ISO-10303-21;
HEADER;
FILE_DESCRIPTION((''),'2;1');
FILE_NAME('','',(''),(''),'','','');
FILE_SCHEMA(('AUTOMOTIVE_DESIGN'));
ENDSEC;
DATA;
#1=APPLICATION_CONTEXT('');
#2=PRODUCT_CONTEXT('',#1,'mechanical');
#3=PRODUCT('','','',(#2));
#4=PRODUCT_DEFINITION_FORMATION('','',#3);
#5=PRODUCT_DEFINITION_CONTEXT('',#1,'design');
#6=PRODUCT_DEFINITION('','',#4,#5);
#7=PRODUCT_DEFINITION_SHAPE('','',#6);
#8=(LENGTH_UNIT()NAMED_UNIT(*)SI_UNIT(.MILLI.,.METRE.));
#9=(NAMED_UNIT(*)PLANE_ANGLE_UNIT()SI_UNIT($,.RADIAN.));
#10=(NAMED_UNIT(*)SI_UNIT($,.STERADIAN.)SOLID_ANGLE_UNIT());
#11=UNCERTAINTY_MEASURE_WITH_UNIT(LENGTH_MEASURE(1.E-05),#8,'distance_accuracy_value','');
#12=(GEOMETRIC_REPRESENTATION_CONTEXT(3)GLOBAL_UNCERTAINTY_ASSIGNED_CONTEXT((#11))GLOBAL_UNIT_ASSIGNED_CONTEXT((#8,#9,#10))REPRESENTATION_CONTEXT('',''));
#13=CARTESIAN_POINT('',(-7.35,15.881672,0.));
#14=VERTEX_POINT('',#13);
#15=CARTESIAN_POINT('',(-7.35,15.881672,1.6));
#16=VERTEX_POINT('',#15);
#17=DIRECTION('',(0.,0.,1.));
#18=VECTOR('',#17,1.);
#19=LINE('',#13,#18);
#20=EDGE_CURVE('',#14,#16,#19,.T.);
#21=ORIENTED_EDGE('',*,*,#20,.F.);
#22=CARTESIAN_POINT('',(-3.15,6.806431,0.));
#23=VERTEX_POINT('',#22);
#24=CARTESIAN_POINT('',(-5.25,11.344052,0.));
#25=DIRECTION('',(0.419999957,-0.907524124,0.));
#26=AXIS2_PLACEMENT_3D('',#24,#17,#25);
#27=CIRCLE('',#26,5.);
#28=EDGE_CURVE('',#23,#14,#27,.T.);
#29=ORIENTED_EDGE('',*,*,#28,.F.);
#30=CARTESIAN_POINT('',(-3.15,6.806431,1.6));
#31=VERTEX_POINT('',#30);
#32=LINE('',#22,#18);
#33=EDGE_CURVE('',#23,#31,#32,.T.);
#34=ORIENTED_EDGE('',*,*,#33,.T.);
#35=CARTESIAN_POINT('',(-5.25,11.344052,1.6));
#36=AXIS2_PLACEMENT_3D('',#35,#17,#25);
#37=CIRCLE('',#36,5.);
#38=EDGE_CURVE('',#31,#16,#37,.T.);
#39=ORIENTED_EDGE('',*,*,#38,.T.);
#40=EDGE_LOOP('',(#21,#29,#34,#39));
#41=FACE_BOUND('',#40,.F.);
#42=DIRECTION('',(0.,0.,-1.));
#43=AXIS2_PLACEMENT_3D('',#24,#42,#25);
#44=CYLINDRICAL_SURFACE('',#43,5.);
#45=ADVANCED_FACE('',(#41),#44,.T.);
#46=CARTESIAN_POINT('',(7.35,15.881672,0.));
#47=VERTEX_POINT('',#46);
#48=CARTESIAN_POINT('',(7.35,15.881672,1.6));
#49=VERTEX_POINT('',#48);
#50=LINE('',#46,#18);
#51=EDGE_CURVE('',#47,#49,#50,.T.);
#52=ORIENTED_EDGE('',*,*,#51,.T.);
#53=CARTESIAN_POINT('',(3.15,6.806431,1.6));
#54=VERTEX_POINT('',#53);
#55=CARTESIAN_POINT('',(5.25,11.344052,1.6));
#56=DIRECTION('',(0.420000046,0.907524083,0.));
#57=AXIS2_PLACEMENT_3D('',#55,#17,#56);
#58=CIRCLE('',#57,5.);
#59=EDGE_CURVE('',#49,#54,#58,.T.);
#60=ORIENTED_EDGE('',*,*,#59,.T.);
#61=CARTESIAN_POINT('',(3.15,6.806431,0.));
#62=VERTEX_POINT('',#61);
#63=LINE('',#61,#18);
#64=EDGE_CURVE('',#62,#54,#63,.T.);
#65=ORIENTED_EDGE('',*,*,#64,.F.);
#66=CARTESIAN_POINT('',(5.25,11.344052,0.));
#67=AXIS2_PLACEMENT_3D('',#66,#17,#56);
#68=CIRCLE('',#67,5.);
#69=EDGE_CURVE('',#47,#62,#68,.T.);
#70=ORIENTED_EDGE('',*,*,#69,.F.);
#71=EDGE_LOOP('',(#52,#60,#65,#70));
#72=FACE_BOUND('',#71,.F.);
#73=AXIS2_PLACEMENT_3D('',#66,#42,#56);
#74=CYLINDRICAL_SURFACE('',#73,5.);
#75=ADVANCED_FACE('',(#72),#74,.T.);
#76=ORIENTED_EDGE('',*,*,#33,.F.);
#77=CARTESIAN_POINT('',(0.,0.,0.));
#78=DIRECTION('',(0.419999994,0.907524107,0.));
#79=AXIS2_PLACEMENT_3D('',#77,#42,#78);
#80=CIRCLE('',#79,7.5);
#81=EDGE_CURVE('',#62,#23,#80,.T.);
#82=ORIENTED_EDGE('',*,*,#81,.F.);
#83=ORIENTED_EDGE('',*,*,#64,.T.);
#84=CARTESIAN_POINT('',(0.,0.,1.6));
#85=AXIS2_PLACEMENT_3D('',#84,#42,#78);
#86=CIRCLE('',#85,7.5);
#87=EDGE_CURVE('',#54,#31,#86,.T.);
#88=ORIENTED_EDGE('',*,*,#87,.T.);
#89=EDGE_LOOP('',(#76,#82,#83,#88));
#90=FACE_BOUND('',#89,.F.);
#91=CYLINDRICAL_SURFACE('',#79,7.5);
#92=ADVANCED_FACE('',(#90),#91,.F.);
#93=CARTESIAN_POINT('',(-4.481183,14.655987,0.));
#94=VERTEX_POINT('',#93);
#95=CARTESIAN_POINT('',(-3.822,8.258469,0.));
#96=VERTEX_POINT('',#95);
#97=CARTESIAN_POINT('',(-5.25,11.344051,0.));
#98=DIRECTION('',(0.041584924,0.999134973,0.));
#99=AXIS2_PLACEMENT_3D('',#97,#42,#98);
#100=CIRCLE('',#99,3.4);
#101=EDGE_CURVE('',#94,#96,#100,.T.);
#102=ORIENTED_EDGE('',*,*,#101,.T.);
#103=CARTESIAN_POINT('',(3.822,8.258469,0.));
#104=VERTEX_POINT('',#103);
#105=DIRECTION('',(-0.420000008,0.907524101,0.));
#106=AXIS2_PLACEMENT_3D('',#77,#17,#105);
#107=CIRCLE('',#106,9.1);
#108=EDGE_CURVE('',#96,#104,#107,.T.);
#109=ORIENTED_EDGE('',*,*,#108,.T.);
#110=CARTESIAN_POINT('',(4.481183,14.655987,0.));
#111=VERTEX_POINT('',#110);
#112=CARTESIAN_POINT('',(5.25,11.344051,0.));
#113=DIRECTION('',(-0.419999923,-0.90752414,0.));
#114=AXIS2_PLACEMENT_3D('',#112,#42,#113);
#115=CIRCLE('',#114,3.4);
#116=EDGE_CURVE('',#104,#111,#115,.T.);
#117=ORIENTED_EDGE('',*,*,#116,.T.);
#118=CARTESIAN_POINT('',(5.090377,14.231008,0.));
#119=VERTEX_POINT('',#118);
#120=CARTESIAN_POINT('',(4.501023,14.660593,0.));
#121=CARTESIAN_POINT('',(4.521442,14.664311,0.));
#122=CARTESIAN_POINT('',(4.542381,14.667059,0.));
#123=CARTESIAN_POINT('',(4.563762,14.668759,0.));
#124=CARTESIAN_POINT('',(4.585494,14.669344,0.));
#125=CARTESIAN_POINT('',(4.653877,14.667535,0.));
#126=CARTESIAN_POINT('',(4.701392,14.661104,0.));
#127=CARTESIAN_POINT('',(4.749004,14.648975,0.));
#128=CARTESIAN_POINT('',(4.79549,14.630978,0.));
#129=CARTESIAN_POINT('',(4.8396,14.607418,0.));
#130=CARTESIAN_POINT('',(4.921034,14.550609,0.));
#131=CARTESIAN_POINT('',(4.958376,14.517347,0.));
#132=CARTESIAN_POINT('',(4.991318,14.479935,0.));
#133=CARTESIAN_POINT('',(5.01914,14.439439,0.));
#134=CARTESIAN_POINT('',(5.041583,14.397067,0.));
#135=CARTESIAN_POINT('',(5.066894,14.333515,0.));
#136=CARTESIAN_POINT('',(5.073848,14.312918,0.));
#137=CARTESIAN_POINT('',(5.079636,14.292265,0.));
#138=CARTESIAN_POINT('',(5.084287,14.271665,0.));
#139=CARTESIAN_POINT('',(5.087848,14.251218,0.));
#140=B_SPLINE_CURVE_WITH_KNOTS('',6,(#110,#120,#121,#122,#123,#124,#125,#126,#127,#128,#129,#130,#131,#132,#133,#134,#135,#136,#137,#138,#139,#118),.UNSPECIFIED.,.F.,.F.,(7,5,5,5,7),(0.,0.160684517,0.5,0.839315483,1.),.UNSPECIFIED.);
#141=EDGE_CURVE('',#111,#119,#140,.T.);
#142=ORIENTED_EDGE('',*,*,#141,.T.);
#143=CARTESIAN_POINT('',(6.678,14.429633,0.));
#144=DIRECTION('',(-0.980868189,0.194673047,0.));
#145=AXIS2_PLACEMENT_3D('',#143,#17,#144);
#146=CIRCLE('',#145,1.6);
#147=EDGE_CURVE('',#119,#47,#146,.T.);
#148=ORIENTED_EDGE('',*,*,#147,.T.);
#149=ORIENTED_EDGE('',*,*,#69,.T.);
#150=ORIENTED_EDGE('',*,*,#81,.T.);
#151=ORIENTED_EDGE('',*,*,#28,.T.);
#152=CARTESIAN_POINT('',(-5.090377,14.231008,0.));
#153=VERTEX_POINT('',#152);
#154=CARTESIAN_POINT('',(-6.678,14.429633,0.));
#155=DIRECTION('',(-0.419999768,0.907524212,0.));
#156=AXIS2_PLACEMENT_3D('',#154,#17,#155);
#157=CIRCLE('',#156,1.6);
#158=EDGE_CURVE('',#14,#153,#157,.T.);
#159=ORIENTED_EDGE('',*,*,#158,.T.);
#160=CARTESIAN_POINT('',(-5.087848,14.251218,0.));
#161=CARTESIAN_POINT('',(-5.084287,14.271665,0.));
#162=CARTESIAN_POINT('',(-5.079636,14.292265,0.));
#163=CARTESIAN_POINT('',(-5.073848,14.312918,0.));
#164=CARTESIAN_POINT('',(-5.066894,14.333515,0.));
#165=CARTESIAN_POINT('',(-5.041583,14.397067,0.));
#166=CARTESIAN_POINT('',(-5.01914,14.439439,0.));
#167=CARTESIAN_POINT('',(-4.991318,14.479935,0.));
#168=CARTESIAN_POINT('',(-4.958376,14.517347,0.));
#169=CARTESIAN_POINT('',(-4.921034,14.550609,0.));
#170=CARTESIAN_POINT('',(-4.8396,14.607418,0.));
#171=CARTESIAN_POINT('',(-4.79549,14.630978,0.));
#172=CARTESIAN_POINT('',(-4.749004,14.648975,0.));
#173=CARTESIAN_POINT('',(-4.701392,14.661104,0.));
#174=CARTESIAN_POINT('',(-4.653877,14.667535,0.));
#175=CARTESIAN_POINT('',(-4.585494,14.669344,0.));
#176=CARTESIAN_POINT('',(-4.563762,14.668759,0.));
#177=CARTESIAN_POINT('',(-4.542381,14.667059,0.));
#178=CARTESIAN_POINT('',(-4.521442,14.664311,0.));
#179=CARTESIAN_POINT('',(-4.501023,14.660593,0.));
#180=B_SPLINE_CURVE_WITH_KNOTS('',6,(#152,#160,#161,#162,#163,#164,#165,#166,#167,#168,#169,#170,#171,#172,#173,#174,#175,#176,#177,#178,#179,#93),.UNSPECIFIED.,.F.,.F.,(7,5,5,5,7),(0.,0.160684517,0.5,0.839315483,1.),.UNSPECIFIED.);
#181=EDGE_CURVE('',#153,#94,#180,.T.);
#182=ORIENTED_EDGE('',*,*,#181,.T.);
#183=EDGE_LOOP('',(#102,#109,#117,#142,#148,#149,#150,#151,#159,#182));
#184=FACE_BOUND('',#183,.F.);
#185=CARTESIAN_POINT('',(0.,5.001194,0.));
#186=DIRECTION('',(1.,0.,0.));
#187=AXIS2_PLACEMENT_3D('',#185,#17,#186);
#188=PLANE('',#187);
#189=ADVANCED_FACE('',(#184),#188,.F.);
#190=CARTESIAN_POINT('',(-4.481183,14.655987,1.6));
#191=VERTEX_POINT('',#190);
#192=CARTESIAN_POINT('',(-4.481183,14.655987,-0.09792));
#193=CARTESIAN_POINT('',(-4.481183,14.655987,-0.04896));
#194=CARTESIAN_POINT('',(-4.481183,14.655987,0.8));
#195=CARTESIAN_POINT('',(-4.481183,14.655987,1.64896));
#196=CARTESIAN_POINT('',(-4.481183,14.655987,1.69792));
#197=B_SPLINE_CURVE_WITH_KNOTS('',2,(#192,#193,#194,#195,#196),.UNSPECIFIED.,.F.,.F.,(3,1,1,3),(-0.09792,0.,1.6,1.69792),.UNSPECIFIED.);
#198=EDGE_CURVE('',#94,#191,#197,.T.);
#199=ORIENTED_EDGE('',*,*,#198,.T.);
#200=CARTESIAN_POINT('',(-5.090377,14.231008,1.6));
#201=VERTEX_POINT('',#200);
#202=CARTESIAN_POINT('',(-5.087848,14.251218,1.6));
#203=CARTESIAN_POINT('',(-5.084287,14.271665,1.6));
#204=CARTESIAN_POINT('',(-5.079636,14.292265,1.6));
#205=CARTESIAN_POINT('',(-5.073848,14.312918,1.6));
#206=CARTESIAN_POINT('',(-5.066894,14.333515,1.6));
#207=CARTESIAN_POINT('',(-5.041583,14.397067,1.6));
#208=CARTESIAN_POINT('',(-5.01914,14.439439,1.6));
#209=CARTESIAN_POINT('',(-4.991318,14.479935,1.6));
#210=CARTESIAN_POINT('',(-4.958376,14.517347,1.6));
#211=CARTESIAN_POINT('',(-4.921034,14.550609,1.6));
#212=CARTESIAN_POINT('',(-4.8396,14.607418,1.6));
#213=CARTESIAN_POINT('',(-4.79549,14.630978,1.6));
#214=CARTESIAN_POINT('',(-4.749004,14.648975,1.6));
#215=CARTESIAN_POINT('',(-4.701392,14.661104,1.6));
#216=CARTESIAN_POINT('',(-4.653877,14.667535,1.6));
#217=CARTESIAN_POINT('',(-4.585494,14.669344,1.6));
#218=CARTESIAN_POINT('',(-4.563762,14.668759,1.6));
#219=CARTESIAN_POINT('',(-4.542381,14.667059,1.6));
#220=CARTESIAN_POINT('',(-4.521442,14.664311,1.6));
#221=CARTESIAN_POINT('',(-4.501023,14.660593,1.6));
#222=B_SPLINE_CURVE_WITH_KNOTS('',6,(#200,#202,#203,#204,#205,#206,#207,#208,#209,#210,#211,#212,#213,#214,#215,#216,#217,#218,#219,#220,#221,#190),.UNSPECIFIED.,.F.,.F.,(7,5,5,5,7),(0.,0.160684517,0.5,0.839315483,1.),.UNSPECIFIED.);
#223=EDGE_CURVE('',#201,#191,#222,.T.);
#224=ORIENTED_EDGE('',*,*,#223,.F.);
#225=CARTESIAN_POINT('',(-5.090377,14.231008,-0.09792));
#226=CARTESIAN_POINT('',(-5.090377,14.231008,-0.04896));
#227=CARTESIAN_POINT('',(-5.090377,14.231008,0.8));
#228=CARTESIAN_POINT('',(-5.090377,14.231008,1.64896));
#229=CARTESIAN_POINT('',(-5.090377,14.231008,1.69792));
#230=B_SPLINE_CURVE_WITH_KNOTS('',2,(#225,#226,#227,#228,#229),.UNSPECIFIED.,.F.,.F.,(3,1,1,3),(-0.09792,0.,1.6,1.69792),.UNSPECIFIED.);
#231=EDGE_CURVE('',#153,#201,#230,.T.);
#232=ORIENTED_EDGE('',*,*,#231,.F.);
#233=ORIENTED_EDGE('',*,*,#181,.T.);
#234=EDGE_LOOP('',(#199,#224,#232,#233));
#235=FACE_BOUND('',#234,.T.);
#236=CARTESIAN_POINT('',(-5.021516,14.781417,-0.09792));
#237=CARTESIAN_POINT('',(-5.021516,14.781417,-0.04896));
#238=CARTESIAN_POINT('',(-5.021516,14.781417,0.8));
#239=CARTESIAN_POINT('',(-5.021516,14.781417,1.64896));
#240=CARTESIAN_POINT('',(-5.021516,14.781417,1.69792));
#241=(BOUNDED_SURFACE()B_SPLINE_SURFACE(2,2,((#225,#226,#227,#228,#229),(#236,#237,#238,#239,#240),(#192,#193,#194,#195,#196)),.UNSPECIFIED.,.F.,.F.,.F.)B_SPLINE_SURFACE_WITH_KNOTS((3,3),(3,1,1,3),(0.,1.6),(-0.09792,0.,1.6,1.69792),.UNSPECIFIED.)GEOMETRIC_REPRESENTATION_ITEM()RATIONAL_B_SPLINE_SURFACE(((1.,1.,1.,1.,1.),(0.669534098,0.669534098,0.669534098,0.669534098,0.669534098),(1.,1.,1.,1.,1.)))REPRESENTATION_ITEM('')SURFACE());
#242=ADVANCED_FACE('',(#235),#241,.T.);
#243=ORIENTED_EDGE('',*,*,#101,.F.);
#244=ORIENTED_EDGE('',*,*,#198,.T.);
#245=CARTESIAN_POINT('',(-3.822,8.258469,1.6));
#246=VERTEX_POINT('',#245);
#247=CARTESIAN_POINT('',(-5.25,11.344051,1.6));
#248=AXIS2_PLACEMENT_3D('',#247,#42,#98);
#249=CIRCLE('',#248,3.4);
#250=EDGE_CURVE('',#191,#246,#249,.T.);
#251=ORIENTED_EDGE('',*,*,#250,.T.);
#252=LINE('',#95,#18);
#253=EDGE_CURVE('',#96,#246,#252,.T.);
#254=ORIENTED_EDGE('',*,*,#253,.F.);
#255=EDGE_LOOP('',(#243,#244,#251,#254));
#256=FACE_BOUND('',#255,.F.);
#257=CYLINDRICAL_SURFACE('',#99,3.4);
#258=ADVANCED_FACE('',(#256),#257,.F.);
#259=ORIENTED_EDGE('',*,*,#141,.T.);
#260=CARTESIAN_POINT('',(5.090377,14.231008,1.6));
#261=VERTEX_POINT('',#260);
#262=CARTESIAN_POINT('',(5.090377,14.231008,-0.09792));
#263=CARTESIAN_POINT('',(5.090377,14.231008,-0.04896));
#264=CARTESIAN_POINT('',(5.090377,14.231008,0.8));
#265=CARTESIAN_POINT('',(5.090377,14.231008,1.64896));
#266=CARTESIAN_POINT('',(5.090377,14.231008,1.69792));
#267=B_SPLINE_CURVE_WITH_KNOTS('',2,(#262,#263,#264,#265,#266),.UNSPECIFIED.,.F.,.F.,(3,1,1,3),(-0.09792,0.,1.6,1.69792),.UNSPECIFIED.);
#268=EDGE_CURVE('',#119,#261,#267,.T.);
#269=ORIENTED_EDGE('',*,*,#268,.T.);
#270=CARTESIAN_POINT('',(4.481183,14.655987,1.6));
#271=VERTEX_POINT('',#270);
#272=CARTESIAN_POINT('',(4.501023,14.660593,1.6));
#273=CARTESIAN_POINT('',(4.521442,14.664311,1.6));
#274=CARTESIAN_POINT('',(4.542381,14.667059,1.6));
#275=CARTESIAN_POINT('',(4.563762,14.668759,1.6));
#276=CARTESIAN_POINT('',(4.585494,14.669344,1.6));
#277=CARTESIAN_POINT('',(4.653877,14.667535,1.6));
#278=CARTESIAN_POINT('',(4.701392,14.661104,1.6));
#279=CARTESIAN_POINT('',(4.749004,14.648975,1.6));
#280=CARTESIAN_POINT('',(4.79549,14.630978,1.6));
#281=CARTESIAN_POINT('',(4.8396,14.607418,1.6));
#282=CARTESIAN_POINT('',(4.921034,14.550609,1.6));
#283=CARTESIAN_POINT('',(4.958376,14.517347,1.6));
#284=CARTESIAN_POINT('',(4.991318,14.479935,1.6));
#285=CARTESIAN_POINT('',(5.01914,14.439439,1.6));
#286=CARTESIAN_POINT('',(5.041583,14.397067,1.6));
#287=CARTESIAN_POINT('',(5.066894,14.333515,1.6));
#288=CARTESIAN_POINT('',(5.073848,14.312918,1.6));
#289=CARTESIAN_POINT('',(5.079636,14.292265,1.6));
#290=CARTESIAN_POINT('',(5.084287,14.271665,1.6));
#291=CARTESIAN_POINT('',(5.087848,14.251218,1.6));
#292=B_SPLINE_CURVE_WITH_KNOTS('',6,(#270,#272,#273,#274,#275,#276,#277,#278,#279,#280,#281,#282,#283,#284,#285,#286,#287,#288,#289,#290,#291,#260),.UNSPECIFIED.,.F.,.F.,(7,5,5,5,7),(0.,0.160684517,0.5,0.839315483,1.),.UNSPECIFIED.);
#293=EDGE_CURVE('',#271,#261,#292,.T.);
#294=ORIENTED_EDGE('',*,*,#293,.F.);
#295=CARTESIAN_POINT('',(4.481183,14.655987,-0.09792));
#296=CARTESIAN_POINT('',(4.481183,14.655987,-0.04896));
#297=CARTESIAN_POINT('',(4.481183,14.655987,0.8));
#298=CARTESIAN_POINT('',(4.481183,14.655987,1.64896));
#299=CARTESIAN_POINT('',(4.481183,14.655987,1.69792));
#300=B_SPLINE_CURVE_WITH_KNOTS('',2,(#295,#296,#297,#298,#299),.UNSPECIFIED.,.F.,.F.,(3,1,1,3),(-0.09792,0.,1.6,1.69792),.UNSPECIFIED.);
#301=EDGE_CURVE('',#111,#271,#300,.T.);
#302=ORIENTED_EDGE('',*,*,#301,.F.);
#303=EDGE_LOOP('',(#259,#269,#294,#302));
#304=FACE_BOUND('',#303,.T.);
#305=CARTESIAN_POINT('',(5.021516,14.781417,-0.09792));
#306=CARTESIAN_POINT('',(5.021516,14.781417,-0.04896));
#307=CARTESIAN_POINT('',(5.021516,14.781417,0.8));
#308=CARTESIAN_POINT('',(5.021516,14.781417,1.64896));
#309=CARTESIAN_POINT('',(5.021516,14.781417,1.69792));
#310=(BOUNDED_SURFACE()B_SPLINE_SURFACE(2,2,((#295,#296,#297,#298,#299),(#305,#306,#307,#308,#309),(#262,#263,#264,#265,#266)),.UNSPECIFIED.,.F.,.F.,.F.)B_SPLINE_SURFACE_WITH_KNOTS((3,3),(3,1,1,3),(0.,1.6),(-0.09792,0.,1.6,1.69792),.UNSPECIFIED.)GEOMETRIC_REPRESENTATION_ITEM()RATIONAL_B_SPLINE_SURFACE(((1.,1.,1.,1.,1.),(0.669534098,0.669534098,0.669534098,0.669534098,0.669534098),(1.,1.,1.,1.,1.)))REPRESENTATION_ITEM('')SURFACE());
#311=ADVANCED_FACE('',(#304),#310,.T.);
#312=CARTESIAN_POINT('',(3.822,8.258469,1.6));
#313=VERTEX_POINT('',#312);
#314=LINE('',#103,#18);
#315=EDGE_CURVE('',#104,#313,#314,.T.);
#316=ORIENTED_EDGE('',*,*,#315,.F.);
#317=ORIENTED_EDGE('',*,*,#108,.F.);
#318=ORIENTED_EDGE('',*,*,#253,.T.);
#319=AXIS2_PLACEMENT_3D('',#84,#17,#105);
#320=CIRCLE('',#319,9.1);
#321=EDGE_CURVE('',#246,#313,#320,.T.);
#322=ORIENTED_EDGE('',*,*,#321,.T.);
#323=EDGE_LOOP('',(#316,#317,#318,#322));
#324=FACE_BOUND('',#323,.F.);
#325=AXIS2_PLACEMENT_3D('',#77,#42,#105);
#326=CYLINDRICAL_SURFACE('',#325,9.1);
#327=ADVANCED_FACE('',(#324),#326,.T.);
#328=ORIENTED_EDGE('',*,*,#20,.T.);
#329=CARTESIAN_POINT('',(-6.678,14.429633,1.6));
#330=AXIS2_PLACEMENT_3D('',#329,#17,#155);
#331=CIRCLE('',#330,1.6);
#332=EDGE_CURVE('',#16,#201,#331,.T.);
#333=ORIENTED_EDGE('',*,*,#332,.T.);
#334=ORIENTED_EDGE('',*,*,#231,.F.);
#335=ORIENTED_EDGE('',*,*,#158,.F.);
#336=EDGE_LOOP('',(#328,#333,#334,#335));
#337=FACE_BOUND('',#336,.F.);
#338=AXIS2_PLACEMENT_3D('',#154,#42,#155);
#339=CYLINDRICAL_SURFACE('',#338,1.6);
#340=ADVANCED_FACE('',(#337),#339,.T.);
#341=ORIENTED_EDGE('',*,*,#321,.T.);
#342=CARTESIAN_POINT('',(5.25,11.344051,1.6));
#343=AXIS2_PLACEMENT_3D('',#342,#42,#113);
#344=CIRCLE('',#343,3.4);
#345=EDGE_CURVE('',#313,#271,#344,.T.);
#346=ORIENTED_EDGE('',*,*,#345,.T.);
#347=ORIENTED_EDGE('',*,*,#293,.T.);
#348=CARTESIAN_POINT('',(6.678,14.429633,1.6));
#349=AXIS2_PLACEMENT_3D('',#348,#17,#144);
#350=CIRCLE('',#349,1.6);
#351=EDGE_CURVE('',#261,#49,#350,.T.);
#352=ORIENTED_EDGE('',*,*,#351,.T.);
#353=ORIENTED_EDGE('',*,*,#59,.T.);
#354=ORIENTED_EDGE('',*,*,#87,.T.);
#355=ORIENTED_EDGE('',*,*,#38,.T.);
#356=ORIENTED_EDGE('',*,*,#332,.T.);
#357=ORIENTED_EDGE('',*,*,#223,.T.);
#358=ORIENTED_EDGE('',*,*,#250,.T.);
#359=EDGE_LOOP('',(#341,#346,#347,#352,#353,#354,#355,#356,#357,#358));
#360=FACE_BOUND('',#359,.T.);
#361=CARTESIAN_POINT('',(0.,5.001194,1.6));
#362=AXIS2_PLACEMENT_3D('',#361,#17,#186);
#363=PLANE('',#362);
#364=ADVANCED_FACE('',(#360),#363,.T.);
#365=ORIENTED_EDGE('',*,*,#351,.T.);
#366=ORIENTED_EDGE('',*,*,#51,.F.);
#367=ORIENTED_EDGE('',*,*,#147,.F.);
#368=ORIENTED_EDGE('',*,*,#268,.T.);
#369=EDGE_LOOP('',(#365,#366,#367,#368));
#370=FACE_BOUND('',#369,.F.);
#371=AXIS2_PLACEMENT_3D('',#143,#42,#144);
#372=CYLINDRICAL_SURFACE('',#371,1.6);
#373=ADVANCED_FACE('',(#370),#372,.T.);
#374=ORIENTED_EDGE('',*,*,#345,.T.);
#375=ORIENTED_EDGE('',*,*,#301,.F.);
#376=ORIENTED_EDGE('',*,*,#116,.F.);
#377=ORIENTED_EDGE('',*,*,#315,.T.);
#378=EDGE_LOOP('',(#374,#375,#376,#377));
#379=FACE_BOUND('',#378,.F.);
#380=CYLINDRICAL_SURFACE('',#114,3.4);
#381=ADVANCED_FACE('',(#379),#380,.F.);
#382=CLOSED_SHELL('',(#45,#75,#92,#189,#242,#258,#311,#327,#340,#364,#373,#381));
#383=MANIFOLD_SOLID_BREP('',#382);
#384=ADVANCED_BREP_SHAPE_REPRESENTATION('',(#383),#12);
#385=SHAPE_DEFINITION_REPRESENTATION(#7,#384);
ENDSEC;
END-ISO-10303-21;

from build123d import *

# Parameters (mm, degrees)
F2_DEPTH = 1.6
F3_R     = 0.5


with BuildPart() as f2:
    # F1 (on Top) → F2 (new body)
    with BuildSketch(Plane.XY):
        with BuildLine():
            ThreePointArc((3.15, 6.806431), (0, -7.5), (-3.15, 6.806431))
            ThreePointArc((-3.15, 6.806431), (-0.712379, 13.444051), (-7.35, 15.881672))
            ThreePointArc((-7.35, 15.881672), (-7.403636, 13.003641), (-5.108611, 14.74111))
            ThreePointArc((-5.108611, 14.74111), (-1.915048, 12.00594), (-3.822, 8.258469))
            ThreePointArc((-3.822, 8.258469), (0, -9.1), (3.822, 8.258469))
            ThreePointArc((3.822, 8.258469), (1.915048, 12.00594), (5.108611, 14.74111))
            ThreePointArc((5.108611, 14.74111), (7.403636, 13.003641), (7.35, 15.881672))
            ThreePointArc((7.35, 15.881672), (0.712379, 13.444051), (3.15, 6.806431))
        make_face()
    extrude(amount=F2_DEPTH)

    # F3
    f3_edges = [f2.edges().sort_by_distance(p)[0] for p in [
        (5.108611, 14.74111, 0.8),
        (-5.108611, 14.74111, 0.8),
    ]]
    fillet(f3_edges, radius=F3_R)


solid = f2.part
